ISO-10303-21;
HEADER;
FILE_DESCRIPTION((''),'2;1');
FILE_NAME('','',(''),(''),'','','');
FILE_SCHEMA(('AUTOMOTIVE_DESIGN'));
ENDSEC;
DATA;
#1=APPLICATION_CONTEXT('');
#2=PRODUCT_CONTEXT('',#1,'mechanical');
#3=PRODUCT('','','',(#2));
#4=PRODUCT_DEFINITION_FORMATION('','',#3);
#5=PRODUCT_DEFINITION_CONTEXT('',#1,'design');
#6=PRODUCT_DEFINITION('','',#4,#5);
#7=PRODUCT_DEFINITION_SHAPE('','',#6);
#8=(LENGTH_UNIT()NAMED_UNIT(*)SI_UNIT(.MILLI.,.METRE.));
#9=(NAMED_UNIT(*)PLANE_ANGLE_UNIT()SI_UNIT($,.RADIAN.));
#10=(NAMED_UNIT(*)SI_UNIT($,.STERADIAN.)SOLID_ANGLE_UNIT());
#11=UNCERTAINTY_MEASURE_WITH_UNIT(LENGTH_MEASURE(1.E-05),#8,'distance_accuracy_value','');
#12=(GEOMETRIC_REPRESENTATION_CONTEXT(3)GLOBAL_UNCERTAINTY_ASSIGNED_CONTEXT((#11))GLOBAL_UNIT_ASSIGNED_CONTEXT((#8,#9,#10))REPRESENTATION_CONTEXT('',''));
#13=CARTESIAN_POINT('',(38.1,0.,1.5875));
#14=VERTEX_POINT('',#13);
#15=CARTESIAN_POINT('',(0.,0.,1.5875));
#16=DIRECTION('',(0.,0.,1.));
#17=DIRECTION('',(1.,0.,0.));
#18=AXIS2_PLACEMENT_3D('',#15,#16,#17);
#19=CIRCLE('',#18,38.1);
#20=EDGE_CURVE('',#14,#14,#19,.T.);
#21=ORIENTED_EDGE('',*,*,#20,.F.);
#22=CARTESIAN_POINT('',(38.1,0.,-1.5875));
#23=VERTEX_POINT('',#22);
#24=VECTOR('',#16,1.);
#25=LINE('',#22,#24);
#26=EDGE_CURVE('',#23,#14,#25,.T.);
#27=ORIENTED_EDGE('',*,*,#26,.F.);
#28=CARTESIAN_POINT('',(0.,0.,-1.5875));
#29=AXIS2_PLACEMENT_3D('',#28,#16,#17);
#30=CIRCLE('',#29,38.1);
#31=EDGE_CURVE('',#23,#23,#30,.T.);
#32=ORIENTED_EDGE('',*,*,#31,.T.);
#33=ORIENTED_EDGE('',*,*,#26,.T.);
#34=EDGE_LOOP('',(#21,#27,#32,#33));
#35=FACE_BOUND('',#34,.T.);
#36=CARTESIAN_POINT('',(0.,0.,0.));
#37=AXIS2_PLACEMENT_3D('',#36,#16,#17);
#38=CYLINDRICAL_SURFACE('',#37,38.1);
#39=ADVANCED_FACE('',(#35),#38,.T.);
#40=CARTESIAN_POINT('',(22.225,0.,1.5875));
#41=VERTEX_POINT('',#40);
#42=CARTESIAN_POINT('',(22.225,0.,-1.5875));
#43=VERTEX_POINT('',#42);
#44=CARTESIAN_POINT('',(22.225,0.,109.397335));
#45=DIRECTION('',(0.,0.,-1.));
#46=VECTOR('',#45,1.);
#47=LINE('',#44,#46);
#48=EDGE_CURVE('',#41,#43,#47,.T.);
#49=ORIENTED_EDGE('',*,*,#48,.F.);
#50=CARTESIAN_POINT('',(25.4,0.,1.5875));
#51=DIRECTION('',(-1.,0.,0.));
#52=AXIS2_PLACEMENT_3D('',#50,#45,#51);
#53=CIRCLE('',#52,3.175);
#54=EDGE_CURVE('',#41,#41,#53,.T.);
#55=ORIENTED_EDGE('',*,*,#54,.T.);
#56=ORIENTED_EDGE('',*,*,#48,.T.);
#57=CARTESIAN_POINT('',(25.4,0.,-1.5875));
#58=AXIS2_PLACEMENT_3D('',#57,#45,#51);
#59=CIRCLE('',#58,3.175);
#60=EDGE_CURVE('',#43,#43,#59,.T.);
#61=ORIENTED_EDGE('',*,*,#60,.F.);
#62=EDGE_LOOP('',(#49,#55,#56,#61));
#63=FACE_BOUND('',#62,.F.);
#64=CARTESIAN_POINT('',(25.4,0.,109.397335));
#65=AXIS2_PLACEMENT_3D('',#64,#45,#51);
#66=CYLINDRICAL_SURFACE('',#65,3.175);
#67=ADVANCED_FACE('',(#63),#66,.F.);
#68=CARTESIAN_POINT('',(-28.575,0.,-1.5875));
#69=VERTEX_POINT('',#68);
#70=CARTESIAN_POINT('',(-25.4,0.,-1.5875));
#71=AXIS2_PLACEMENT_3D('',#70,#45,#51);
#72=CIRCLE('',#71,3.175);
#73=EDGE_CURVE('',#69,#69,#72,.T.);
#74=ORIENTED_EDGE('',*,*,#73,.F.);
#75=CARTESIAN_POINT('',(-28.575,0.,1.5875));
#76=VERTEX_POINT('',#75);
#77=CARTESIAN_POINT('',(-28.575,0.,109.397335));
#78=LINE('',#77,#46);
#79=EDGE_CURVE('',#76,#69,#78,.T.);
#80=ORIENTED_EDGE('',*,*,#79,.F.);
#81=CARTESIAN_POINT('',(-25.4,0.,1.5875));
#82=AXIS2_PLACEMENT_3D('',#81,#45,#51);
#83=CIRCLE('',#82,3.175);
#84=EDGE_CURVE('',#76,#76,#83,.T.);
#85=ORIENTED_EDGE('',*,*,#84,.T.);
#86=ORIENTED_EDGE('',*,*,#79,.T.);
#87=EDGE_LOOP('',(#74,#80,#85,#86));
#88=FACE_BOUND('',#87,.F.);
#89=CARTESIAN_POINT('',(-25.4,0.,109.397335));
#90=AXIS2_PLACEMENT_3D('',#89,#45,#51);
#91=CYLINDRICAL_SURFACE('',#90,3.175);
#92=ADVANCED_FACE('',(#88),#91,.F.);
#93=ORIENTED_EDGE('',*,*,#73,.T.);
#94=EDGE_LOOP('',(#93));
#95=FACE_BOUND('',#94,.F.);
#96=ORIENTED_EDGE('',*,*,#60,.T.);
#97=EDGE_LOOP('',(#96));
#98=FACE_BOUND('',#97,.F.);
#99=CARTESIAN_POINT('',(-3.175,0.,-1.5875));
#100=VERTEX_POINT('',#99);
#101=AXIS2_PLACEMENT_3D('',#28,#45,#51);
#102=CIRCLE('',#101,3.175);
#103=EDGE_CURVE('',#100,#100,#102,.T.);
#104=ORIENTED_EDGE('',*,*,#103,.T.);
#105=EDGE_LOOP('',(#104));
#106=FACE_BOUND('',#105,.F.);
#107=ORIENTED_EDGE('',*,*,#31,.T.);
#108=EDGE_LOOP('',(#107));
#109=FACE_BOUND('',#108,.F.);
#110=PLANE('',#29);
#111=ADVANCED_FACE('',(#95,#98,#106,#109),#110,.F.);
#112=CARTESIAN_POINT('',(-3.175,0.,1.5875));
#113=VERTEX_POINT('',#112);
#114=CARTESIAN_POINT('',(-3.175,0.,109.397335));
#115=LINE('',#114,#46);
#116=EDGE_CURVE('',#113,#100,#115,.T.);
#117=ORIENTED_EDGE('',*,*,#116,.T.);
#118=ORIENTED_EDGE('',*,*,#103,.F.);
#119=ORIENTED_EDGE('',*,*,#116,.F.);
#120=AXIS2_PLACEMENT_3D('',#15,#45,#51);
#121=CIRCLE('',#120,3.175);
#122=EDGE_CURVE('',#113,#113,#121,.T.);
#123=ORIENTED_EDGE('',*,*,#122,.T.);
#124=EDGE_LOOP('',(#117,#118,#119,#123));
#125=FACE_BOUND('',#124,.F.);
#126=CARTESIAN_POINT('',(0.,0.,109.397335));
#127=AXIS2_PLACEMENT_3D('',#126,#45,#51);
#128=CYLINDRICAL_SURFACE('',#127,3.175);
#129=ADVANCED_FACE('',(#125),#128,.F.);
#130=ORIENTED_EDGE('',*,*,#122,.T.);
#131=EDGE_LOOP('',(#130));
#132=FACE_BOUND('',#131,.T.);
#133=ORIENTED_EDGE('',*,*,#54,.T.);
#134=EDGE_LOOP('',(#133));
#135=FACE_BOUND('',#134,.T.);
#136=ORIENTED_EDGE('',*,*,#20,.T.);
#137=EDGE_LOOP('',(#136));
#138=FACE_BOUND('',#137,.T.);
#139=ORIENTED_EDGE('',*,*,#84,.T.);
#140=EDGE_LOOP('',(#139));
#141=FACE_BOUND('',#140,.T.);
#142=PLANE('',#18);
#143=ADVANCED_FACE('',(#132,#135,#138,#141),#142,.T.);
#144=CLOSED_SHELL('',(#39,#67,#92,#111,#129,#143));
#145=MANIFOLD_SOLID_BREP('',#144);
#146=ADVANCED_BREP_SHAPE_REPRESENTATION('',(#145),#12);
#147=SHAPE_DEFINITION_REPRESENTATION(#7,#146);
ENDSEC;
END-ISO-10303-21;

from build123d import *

# Parameters (mm, degrees)
SKETCH1_R                   = 38.1
BOSS_EXTRUDE1_DEPTH         = 1.5875
F_1_4_0_25_DIAMETER_HOLE1_D = 6.35


with BuildPart() as part:
    # Sketch1 → Boss-Extrude1 (new body, symmetric)
    with BuildSketch(Plane.XY):
        Circle(SKETCH1_R)
    extrude(amount=BOSS_EXTRUDE1_DEPTH, both=True)

    # 1/4 (0.25) Diameter Hole1 (through all)
    with Locations(Plane.XY.offset(1.5875)):
        with Locations((-25.4, 0), (0, 0), (25.4, 0)):
            Hole(F_1_4_0_25_DIAMETER_HOLE1_D / 2)


solid = part.part
